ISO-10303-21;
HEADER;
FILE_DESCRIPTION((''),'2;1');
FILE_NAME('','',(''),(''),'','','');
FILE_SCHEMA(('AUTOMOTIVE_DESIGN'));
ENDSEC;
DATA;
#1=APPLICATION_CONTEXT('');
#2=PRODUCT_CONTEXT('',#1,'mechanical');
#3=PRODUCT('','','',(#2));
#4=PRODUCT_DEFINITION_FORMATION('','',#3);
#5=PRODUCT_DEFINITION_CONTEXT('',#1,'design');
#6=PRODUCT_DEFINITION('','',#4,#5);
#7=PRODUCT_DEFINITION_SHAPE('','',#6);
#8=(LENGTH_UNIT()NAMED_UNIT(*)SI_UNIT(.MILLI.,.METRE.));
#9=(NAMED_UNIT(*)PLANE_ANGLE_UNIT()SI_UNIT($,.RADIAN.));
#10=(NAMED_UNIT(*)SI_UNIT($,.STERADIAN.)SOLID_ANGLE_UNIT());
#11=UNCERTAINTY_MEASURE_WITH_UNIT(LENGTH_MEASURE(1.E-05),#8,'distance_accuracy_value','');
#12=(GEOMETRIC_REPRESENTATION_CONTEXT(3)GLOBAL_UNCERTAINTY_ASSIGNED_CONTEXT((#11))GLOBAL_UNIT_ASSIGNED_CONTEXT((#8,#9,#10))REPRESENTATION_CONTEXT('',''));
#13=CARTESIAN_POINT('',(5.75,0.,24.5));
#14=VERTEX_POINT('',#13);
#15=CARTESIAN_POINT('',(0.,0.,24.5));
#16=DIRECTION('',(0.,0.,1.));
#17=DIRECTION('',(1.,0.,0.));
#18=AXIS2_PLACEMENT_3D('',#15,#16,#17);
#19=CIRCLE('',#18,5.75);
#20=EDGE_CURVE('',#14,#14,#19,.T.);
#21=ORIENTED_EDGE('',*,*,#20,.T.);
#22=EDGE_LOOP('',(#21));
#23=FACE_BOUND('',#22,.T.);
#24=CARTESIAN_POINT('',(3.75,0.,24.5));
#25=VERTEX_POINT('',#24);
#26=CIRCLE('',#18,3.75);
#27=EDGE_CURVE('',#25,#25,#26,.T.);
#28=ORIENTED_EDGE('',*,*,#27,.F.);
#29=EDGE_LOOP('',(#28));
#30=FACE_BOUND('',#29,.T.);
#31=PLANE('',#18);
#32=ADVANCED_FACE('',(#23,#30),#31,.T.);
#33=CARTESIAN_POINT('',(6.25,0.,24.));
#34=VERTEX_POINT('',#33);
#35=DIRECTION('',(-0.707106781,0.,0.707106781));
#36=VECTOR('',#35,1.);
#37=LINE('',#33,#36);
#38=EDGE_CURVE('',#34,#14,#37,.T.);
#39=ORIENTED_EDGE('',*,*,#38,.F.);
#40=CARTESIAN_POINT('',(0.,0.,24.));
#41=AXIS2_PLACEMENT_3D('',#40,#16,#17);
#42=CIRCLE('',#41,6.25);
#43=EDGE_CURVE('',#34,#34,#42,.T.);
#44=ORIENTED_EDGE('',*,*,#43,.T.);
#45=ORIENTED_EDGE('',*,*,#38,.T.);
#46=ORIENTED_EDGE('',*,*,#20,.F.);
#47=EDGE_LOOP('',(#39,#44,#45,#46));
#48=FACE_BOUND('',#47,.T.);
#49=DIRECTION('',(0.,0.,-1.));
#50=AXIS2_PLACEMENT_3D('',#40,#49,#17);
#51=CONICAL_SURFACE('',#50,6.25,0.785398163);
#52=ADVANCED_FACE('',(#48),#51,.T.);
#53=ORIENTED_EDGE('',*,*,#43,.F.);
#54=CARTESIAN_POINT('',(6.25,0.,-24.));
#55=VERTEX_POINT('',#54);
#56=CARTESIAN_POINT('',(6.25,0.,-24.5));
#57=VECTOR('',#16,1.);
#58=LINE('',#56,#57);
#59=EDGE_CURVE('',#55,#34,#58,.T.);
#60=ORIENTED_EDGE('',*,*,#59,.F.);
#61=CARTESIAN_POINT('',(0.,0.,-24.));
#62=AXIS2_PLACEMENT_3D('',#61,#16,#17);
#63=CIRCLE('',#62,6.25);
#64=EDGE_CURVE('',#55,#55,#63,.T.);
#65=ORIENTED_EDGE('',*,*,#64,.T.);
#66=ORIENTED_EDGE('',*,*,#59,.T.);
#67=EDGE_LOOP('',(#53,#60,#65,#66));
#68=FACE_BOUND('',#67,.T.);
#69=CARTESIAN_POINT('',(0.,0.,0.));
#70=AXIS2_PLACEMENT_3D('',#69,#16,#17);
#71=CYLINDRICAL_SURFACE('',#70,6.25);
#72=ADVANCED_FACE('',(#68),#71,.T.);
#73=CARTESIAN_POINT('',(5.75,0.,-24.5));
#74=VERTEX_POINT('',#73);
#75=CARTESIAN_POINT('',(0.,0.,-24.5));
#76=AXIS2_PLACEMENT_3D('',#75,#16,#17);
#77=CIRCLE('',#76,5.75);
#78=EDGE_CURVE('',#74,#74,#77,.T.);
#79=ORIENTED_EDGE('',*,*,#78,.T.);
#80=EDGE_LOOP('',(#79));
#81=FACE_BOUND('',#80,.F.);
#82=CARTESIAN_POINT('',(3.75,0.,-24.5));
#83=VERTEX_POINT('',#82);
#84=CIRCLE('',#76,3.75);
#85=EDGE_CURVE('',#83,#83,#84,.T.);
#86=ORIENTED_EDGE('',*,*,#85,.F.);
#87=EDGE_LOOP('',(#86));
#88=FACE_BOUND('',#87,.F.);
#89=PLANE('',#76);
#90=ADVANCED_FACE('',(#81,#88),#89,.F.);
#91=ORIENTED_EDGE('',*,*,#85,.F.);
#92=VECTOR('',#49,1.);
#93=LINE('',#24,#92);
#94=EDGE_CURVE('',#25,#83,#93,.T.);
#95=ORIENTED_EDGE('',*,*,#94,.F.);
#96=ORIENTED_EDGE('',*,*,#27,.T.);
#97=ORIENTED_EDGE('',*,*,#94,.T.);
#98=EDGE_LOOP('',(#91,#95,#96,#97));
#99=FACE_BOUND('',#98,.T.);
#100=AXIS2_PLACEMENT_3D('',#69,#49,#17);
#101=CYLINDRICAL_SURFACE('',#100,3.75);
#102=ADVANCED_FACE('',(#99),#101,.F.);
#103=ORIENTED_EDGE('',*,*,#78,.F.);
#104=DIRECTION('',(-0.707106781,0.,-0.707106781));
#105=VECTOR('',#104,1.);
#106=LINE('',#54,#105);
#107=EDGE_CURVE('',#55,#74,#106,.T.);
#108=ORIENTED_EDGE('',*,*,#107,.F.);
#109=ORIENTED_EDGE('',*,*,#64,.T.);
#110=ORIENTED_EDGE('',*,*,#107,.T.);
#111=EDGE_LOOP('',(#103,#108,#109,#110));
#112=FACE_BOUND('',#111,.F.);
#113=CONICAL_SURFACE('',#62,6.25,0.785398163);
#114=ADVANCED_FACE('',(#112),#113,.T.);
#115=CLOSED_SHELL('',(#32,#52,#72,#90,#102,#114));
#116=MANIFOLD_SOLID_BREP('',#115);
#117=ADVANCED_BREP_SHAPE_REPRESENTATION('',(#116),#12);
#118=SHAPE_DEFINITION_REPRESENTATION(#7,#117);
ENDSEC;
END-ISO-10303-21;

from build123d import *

# Parameters (mm, degrees)
SKETCH2_R           = 6.25
SKETCH2_R_2         = 3.75
EXTRUDE_THIN1_DEPTH = 24.5
CHAMFER1_SIZE       = 0.5


with BuildPart() as part:
    # Sketch2 → Extrude-Thin1 (new body, symmetric)
    with BuildSketch(Plane.XY):
        Circle(SKETCH2_R)
        Circle(SKETCH2_R_2, mode=Mode.SUBTRACT)
    extrude(amount=EXTRUDE_THIN1_DEPTH, both=True)

    # Chamfer1
    chamfer1_edges = [part.edges().sort_by_distance(p)[0] for p in [
        (-6.25, 0, -24.5),
        (-6.25, 0, 24.5),
    ]]
    chamfer(chamfer1_edges, length=CHAMFER1_SIZE)


solid = part.part
